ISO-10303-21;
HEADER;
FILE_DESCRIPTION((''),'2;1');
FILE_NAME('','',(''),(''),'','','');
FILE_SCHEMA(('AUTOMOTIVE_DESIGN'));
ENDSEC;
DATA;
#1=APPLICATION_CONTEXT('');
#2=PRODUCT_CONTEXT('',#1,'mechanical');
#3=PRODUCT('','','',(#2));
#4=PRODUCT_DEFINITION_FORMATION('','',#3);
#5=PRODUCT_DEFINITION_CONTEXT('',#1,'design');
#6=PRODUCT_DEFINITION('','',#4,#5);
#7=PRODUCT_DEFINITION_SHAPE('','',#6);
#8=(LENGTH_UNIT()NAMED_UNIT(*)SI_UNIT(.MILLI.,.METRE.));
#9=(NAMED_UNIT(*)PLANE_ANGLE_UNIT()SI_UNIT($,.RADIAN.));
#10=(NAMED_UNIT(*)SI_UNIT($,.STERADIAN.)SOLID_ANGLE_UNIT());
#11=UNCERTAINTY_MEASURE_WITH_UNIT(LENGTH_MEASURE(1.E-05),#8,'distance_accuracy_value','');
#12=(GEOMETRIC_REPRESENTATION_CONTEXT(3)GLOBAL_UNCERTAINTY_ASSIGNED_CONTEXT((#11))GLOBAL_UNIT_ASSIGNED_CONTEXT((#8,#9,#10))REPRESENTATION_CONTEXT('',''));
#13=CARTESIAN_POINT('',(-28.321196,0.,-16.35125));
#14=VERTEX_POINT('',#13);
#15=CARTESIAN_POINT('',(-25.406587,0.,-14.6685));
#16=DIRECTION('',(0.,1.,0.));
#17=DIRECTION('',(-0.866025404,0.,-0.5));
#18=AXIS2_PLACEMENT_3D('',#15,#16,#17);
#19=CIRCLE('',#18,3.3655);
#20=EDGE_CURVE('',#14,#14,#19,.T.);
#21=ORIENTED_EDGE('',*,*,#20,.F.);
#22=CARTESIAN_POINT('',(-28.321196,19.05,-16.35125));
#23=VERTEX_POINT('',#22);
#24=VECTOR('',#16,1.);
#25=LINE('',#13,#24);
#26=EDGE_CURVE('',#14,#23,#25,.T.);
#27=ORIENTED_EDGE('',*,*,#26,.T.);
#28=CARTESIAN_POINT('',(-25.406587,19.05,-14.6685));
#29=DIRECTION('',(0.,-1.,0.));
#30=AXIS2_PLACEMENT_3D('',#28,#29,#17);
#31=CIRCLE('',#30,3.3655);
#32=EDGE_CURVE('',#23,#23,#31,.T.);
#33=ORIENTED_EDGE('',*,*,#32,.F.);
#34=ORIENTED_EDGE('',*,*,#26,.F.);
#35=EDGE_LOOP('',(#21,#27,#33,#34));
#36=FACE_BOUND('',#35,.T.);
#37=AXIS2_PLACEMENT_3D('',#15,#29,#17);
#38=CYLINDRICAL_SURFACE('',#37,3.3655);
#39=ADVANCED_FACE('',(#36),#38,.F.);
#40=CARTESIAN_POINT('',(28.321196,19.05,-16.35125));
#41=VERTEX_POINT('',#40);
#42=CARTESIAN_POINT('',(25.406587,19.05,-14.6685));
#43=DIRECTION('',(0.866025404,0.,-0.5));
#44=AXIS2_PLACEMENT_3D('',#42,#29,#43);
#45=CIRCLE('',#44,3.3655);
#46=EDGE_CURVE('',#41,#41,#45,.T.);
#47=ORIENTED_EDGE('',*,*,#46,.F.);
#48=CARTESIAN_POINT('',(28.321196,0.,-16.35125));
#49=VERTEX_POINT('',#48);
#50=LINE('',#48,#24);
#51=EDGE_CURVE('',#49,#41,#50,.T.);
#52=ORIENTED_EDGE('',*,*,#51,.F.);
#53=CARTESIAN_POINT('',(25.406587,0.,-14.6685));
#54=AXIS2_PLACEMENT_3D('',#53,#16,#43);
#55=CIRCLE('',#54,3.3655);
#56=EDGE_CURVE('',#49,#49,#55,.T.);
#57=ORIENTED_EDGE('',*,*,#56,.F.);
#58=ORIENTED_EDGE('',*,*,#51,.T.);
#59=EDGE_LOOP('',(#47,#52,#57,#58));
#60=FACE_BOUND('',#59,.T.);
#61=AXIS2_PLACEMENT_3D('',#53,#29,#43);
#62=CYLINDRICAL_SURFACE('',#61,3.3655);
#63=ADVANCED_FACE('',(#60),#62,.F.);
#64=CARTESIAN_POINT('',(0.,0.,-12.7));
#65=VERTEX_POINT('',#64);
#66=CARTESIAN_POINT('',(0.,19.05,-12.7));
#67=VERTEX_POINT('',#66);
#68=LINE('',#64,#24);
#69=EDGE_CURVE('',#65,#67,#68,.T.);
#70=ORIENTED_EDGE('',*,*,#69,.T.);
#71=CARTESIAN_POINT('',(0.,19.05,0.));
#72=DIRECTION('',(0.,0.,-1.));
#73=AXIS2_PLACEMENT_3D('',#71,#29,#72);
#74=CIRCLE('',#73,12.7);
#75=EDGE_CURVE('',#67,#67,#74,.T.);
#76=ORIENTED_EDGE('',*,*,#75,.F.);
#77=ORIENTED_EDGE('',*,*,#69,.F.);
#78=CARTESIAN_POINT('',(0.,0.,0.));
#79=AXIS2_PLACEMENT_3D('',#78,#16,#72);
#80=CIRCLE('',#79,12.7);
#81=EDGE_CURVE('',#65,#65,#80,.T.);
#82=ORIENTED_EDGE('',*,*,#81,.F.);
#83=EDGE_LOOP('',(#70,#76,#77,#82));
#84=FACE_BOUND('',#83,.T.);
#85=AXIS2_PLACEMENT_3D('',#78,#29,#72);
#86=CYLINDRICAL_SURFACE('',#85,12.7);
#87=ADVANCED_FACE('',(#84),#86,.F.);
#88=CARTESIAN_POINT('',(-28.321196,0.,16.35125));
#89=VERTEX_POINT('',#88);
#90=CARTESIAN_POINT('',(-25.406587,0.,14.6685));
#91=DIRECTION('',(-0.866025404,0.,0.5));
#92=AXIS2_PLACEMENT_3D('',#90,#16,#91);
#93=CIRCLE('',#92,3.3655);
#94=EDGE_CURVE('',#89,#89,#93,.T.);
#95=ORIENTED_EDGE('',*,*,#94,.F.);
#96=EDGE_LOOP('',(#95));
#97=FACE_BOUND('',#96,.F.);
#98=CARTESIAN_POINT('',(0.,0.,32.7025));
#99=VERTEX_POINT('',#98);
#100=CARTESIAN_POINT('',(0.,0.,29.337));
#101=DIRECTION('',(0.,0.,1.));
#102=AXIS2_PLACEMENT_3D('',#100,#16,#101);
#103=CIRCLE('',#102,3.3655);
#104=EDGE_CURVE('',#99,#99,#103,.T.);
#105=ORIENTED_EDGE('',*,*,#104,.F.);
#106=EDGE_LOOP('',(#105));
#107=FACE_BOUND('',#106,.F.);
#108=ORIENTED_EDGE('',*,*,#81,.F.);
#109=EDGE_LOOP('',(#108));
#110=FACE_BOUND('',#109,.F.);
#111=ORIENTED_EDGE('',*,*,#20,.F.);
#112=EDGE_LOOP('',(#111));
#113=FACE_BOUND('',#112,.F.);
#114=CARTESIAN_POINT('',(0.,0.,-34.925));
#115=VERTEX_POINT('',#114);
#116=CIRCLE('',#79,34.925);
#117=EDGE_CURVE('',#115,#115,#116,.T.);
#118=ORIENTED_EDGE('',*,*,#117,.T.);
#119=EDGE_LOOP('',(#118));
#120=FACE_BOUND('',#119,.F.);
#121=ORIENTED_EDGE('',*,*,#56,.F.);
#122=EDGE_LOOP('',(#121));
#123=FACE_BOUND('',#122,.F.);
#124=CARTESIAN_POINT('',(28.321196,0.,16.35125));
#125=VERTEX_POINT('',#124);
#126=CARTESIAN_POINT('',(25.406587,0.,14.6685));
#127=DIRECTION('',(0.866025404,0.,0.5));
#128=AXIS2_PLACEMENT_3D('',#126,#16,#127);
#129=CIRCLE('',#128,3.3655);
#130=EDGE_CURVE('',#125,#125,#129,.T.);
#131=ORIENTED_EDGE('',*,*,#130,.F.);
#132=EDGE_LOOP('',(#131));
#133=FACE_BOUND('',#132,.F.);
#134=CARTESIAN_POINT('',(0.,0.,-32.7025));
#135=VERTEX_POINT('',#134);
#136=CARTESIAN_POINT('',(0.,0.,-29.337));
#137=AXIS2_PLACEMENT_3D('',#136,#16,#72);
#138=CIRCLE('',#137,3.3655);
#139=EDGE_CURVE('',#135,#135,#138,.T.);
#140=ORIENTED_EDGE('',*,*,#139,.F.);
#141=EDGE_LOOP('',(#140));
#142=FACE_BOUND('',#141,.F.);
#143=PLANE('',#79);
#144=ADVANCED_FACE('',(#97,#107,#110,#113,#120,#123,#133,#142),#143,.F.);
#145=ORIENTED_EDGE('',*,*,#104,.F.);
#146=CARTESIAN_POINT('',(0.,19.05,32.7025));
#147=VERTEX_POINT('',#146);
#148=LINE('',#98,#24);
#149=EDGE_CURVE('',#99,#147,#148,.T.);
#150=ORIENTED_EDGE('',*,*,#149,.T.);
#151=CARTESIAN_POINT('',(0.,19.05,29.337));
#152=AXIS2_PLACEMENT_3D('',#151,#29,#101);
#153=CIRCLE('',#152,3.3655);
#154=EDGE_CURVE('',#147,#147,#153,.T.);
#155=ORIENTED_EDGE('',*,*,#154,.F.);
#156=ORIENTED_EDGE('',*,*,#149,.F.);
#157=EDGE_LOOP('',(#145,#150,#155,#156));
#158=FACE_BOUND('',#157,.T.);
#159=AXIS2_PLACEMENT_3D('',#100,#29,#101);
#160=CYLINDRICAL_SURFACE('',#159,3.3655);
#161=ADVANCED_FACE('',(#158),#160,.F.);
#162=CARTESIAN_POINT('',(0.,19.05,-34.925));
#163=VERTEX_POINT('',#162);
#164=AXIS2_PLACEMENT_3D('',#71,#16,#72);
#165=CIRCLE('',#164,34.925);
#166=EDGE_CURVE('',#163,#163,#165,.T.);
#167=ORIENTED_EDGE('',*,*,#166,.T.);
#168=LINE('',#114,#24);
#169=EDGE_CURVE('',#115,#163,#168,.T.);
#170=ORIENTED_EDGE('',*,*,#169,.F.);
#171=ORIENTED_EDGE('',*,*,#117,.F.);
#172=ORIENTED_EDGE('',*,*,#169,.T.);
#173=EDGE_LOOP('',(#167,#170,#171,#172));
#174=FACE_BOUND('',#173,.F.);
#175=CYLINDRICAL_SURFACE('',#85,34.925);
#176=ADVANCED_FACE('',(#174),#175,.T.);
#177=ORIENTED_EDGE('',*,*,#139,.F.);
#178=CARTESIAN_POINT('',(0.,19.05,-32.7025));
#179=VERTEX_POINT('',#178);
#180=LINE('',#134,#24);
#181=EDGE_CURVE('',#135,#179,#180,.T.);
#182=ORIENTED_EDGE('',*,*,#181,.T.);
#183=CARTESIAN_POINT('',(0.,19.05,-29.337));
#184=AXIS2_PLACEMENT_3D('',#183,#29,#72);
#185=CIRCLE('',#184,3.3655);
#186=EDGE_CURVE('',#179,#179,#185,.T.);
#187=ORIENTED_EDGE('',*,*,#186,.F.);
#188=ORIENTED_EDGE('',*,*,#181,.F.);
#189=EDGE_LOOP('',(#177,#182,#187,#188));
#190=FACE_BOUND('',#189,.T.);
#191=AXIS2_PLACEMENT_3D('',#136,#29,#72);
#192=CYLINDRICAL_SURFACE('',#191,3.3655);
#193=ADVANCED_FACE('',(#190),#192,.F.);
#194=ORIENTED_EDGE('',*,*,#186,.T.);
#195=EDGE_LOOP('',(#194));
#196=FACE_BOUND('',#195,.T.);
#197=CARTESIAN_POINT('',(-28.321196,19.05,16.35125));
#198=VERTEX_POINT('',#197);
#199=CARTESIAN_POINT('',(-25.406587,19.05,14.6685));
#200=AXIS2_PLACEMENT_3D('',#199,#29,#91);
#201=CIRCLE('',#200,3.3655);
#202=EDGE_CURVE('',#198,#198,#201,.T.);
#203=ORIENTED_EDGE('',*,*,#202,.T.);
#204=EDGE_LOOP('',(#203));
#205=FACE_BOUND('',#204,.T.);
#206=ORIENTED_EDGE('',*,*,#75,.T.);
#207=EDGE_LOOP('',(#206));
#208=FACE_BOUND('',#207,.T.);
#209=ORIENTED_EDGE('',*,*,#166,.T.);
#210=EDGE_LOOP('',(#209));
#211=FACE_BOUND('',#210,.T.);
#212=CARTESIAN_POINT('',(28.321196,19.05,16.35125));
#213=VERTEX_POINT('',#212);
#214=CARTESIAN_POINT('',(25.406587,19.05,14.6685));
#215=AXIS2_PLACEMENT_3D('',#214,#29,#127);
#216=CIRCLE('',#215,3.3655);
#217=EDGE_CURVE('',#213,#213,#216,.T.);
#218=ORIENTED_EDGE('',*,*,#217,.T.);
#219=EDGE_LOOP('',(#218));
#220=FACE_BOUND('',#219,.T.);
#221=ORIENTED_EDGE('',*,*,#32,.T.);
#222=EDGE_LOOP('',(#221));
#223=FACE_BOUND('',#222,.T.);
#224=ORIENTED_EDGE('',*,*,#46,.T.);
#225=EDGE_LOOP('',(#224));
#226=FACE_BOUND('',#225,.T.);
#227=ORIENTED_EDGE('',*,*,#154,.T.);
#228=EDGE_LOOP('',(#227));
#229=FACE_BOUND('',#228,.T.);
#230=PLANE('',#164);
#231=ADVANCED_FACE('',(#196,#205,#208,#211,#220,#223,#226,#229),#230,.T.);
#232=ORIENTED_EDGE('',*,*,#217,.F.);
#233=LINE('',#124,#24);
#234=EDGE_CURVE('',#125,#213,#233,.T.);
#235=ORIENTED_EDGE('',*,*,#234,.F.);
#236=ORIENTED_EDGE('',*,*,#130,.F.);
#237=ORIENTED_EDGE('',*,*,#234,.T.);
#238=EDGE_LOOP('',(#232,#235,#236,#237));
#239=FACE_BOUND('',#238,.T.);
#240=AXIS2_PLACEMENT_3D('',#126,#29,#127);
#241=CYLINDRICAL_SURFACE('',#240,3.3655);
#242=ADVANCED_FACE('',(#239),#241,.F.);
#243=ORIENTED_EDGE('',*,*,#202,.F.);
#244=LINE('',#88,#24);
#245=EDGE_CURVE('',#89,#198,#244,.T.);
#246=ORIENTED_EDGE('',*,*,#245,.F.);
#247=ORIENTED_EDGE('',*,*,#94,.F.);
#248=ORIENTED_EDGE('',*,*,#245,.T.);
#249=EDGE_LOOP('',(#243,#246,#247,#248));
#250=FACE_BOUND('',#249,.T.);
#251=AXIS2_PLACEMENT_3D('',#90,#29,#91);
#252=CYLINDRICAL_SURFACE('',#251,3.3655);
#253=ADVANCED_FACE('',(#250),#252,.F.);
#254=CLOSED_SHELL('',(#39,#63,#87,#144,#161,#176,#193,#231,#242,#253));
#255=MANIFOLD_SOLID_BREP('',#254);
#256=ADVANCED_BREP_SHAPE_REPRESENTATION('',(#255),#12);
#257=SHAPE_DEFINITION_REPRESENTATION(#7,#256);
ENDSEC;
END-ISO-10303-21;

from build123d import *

# Parameters (mm, degrees)
SKETCH1_R          = 34.925
EXTRUDE1_DEPTH     = 19.05
SKETCH2_R          = 12.7
CUT_EXTRUDE1_DEPTH = 53.937829102
SKETCH3_R          = 3.3655
CUT_EXTRUDE2_DEPTH = 53.937829102
CIRPATTERN1_COUNT  = 6


with BuildPart() as part:
    # Sketch1 → Extrude1 (new body)
    with BuildSketch(Plane(origin=(0, 0, 0), x_dir=(1, 0, 0), z_dir=(0, 1, 0))):
        Circle(SKETCH1_R)
    extrude(amount=EXTRUDE1_DEPTH)

    # Sketch2 → Cut-Extrude1 (cut, through all)
    with BuildSketch(Plane(origin=(0, 0, 0), x_dir=(1, 0, 0), z_dir=(0, 1, 0))):
        Circle(SKETCH2_R)
    extrude(amount=CUT_EXTRUDE1_DEPTH, mode=Mode.SUBTRACT)

    # Sketch3 → Cut-Extrude2 (cut, through all)
    with BuildSketch(Plane(origin=(0, 0, 0), x_dir=(1, 0, 0), z_dir=(0, 1, 0))):
        with Locations((0, 29.337)):
            Circle(SKETCH3_R)
    cut_extrude2 = extrude(amount=CUT_EXTRUDE2_DEPTH, mode=Mode.SUBTRACT)

    # CirPattern1: Cut-Extrude2 ×6 about axis
    cirpattern1_axis = Axis((0, 35.858162691, 0), (0, -1, 0))
    for i in range(1, CIRPATTERN1_COUNT):
        add(cut_extrude2.rotate(cirpattern1_axis, i * 360 / CIRPATTERN1_COUNT), mode=Mode.SUBTRACT)


solid = part.part
